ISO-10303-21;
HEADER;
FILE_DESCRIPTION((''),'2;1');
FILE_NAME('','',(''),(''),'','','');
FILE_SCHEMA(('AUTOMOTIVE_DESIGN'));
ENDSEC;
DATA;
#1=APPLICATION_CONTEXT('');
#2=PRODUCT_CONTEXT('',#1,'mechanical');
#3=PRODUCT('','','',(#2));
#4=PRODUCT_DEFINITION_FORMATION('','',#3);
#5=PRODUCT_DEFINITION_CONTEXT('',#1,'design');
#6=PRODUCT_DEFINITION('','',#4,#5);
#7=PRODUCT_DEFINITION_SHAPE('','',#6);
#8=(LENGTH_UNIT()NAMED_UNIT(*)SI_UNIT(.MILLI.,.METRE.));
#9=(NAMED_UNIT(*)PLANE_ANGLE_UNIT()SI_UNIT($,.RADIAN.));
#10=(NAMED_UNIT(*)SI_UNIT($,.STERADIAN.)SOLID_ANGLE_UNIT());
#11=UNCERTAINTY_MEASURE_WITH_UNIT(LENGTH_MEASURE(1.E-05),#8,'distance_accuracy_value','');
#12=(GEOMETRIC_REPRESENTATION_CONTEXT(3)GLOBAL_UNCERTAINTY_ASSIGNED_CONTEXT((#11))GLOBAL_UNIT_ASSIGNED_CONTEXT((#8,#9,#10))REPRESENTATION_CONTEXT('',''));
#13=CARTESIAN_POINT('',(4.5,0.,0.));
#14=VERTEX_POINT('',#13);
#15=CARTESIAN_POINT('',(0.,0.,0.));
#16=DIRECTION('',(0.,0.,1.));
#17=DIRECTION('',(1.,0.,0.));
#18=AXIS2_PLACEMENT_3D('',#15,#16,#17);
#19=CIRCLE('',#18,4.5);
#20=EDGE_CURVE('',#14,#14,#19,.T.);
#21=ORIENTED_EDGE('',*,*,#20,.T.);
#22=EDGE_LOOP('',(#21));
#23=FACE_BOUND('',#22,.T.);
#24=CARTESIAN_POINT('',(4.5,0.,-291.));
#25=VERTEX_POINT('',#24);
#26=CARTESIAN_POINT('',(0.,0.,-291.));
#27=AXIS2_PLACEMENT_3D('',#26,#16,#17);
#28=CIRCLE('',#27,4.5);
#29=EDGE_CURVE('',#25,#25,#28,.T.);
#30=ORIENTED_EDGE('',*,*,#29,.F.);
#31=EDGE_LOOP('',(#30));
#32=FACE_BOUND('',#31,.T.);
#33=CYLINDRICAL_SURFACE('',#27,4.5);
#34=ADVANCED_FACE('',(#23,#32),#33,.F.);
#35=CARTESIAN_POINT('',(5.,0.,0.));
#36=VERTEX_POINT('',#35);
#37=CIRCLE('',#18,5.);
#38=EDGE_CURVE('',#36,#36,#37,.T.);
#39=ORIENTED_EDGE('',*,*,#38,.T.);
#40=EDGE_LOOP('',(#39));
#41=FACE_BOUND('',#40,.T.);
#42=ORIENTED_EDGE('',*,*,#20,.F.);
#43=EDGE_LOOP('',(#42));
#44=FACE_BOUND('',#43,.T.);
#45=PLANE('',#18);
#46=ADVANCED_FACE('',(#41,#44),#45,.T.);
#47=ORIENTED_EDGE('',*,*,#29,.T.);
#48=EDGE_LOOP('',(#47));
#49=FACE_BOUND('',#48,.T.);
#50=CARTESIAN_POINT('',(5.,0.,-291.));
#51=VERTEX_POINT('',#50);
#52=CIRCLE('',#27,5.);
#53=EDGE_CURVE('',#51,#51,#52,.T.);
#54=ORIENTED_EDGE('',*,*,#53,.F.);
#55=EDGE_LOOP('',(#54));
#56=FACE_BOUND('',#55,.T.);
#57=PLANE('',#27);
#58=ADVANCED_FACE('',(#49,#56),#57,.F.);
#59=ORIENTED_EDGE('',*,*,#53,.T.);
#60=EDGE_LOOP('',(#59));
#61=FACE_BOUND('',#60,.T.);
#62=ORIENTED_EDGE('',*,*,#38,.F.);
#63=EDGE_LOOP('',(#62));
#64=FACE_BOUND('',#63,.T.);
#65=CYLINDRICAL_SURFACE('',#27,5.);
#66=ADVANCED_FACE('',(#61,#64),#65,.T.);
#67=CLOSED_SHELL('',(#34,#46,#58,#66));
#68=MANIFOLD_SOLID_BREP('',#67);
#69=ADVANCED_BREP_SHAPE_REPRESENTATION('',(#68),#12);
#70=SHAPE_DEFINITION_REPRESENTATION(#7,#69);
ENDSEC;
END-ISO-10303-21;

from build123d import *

# Parameters (mm, degrees)
SKETCH1_R           = 5
SKETCH1_R_2         = 4.5
EXTRUDE_THIN1_DEPTH = 291


with BuildPart() as part:
    # Sketch1 → Extrude-Thin1 (new body)
    with BuildSketch(Plane.XY):
        Circle(SKETCH1_R)
        Circle(SKETCH1_R_2, mode=Mode.SUBTRACT)
    extrude(amount=-EXTRUDE_THIN1_DEPTH)


solid = part.part
